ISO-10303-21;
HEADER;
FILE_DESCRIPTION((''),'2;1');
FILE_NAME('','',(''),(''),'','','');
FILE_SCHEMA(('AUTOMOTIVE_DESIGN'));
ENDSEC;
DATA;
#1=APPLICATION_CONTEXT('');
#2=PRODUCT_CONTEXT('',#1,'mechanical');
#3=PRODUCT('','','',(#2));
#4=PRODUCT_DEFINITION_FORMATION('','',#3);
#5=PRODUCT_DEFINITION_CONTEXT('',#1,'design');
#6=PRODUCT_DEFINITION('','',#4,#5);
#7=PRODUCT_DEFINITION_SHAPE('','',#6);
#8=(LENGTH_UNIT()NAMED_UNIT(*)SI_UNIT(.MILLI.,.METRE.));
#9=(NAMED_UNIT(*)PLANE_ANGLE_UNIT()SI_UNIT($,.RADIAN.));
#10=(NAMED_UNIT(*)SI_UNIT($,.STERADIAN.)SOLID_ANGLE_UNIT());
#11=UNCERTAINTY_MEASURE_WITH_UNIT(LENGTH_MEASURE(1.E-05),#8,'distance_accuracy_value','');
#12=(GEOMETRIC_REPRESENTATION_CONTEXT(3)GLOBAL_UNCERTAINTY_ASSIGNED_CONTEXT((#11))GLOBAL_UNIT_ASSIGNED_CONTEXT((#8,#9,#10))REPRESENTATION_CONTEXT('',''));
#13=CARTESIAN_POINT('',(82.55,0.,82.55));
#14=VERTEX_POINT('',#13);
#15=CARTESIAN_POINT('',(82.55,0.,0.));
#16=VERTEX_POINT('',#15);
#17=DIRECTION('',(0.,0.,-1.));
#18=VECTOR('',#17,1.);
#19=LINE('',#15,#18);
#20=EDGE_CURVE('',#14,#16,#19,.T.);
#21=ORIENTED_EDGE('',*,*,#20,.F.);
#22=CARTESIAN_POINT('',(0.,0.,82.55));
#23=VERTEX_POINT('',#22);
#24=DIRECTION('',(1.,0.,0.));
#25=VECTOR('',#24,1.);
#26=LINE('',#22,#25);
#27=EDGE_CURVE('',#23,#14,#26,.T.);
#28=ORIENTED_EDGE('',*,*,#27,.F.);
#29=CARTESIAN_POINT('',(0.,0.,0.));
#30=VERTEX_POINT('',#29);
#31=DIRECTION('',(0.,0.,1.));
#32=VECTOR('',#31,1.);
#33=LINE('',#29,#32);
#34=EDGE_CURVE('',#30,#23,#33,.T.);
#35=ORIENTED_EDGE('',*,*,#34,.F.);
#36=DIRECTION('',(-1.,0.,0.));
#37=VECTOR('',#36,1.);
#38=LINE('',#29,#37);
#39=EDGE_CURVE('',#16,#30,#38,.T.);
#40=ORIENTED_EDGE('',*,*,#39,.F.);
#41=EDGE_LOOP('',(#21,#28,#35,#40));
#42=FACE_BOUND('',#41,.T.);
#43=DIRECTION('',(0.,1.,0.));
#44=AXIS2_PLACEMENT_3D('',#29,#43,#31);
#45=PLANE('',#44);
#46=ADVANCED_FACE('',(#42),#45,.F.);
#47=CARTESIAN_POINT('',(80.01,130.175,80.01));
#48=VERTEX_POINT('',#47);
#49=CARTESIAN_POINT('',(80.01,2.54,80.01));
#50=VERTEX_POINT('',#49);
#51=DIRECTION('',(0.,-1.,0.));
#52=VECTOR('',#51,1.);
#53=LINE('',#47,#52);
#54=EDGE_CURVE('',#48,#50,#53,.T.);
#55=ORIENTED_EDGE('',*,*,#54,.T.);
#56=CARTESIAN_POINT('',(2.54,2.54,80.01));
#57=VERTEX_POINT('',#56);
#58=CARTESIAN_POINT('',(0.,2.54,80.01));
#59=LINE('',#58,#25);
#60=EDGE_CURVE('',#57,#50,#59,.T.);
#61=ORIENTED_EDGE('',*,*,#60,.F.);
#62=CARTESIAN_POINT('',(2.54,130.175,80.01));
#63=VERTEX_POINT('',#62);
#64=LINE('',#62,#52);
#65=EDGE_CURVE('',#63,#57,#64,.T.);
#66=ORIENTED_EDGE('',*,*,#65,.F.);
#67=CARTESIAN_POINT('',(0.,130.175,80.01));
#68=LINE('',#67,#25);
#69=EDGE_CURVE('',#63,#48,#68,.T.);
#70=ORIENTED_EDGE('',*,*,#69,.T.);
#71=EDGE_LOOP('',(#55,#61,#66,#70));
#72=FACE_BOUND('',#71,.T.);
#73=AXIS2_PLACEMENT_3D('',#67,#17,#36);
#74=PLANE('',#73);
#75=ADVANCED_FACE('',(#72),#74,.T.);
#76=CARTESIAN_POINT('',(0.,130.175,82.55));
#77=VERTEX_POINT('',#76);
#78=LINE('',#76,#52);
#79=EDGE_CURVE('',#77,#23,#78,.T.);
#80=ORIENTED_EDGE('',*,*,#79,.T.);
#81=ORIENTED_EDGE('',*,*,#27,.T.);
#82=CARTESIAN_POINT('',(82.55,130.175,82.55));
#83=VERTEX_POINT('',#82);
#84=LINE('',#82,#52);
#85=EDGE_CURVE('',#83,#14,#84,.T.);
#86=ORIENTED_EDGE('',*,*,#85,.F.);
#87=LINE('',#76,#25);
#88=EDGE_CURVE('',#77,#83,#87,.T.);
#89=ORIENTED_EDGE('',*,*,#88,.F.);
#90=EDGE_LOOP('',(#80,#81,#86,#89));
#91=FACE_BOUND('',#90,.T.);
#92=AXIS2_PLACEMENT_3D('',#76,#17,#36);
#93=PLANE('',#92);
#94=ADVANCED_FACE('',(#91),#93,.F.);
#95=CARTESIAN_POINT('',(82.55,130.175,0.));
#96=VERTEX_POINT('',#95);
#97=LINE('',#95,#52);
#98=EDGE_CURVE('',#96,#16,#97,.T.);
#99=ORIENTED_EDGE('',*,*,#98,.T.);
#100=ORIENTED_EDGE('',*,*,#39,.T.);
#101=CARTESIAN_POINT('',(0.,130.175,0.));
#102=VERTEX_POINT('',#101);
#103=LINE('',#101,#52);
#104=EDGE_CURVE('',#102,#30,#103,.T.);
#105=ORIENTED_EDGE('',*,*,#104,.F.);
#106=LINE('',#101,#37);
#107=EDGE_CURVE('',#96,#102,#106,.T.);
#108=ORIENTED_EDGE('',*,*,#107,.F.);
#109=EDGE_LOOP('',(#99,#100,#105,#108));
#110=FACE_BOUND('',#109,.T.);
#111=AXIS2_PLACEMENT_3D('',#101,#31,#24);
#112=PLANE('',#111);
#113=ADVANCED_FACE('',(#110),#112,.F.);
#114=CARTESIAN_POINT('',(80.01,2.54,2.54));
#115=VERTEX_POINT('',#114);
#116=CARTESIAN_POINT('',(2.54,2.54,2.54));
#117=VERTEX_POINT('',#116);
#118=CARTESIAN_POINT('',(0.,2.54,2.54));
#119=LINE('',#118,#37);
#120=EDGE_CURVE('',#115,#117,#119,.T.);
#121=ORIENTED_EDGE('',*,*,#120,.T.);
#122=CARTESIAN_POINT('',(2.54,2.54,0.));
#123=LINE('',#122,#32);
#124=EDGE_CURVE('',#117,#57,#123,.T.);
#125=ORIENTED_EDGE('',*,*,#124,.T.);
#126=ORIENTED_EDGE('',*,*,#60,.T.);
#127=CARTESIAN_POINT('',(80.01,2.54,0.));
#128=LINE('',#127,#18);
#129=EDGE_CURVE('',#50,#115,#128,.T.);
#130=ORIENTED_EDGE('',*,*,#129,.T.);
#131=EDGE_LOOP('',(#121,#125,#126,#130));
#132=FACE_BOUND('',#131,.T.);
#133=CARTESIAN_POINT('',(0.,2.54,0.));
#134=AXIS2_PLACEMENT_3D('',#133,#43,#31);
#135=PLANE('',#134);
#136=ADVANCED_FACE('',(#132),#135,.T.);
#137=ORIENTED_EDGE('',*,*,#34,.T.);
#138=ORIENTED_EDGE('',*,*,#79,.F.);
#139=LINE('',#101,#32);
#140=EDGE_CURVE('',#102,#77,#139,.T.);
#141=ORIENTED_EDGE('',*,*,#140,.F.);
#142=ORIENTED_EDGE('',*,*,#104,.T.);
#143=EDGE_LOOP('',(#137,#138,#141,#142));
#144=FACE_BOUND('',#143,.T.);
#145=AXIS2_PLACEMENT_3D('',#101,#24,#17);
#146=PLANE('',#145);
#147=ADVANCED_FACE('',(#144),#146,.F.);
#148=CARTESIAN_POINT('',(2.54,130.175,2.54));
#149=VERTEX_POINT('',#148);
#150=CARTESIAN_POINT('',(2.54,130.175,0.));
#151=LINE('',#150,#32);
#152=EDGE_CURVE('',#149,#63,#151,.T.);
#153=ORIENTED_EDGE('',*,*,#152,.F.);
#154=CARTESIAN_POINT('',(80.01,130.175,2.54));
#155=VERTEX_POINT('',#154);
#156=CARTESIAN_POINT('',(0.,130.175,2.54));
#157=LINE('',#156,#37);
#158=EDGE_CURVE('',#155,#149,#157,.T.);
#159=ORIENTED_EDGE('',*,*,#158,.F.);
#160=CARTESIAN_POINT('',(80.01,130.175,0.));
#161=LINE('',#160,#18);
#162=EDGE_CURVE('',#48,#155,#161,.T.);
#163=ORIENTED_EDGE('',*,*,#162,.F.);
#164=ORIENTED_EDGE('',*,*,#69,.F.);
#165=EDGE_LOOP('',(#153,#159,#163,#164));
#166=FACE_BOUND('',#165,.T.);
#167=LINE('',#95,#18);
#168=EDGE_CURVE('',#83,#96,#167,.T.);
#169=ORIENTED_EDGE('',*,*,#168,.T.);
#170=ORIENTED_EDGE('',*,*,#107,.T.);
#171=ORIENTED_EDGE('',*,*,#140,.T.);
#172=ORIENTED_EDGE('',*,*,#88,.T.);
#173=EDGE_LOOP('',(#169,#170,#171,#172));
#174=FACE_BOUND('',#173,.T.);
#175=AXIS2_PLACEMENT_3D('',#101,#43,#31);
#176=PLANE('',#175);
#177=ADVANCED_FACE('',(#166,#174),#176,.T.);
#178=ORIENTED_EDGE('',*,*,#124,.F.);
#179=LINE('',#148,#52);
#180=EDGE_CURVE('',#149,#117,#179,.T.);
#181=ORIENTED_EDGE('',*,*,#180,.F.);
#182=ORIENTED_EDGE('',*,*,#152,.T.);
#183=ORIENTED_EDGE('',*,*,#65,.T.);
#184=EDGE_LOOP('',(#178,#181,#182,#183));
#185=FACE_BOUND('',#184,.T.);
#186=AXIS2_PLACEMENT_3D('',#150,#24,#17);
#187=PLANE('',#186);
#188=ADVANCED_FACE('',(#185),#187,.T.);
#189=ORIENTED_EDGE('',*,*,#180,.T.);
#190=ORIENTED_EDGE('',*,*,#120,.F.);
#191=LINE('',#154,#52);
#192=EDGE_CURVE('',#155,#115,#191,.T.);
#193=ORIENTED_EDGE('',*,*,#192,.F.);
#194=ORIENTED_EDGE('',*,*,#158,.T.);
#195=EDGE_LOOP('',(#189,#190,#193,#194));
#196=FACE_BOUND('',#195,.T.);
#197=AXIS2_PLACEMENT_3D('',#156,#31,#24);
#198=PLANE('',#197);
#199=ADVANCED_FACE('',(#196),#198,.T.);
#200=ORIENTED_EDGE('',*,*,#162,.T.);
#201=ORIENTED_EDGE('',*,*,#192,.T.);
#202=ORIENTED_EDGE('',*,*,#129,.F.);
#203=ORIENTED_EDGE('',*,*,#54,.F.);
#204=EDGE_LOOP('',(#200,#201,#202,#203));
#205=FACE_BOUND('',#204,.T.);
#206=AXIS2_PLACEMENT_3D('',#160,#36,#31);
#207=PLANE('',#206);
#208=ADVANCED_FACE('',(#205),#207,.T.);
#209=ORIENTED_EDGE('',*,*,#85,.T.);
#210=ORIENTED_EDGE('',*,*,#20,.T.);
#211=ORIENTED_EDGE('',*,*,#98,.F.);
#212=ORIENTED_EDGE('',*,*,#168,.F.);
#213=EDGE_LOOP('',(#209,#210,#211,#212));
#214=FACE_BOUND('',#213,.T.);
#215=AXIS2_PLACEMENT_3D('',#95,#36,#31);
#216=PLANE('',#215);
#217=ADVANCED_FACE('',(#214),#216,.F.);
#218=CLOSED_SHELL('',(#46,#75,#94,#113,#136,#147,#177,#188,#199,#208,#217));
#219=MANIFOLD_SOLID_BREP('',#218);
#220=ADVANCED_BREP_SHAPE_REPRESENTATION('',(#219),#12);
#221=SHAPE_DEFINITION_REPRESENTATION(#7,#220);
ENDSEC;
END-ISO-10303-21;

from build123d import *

# Parameters (mm, degrees)
SKETCH1_W           = 82.55
SKETCH1_H           = 82.55
BOSS_EXTRUDE1_DEPTH = 130.175
SHELL1_T            = -2.54


with BuildPart() as part:
    # Sketch1 → Boss-Extrude1 (new body)
    with BuildSketch(Plane(origin=(0, 0, 0), x_dir=(1, 0, 0), z_dir=(0, 1, 0))):
        with Locations((41.275, -41.275)):
            Rectangle(SKETCH1_W, SKETCH1_H)
    extrude(amount=BOSS_EXTRUDE1_DEPTH)

    # Shell1
    shell1_openings = [part.faces().sort_by_distance(p)[0] for p in [
        (41.275, 130.175, 41.275),
    ]]
    offset(amount=SHELL1_T, openings=shell1_openings, kind=Kind.INTERSECTION)


solid = part.part
